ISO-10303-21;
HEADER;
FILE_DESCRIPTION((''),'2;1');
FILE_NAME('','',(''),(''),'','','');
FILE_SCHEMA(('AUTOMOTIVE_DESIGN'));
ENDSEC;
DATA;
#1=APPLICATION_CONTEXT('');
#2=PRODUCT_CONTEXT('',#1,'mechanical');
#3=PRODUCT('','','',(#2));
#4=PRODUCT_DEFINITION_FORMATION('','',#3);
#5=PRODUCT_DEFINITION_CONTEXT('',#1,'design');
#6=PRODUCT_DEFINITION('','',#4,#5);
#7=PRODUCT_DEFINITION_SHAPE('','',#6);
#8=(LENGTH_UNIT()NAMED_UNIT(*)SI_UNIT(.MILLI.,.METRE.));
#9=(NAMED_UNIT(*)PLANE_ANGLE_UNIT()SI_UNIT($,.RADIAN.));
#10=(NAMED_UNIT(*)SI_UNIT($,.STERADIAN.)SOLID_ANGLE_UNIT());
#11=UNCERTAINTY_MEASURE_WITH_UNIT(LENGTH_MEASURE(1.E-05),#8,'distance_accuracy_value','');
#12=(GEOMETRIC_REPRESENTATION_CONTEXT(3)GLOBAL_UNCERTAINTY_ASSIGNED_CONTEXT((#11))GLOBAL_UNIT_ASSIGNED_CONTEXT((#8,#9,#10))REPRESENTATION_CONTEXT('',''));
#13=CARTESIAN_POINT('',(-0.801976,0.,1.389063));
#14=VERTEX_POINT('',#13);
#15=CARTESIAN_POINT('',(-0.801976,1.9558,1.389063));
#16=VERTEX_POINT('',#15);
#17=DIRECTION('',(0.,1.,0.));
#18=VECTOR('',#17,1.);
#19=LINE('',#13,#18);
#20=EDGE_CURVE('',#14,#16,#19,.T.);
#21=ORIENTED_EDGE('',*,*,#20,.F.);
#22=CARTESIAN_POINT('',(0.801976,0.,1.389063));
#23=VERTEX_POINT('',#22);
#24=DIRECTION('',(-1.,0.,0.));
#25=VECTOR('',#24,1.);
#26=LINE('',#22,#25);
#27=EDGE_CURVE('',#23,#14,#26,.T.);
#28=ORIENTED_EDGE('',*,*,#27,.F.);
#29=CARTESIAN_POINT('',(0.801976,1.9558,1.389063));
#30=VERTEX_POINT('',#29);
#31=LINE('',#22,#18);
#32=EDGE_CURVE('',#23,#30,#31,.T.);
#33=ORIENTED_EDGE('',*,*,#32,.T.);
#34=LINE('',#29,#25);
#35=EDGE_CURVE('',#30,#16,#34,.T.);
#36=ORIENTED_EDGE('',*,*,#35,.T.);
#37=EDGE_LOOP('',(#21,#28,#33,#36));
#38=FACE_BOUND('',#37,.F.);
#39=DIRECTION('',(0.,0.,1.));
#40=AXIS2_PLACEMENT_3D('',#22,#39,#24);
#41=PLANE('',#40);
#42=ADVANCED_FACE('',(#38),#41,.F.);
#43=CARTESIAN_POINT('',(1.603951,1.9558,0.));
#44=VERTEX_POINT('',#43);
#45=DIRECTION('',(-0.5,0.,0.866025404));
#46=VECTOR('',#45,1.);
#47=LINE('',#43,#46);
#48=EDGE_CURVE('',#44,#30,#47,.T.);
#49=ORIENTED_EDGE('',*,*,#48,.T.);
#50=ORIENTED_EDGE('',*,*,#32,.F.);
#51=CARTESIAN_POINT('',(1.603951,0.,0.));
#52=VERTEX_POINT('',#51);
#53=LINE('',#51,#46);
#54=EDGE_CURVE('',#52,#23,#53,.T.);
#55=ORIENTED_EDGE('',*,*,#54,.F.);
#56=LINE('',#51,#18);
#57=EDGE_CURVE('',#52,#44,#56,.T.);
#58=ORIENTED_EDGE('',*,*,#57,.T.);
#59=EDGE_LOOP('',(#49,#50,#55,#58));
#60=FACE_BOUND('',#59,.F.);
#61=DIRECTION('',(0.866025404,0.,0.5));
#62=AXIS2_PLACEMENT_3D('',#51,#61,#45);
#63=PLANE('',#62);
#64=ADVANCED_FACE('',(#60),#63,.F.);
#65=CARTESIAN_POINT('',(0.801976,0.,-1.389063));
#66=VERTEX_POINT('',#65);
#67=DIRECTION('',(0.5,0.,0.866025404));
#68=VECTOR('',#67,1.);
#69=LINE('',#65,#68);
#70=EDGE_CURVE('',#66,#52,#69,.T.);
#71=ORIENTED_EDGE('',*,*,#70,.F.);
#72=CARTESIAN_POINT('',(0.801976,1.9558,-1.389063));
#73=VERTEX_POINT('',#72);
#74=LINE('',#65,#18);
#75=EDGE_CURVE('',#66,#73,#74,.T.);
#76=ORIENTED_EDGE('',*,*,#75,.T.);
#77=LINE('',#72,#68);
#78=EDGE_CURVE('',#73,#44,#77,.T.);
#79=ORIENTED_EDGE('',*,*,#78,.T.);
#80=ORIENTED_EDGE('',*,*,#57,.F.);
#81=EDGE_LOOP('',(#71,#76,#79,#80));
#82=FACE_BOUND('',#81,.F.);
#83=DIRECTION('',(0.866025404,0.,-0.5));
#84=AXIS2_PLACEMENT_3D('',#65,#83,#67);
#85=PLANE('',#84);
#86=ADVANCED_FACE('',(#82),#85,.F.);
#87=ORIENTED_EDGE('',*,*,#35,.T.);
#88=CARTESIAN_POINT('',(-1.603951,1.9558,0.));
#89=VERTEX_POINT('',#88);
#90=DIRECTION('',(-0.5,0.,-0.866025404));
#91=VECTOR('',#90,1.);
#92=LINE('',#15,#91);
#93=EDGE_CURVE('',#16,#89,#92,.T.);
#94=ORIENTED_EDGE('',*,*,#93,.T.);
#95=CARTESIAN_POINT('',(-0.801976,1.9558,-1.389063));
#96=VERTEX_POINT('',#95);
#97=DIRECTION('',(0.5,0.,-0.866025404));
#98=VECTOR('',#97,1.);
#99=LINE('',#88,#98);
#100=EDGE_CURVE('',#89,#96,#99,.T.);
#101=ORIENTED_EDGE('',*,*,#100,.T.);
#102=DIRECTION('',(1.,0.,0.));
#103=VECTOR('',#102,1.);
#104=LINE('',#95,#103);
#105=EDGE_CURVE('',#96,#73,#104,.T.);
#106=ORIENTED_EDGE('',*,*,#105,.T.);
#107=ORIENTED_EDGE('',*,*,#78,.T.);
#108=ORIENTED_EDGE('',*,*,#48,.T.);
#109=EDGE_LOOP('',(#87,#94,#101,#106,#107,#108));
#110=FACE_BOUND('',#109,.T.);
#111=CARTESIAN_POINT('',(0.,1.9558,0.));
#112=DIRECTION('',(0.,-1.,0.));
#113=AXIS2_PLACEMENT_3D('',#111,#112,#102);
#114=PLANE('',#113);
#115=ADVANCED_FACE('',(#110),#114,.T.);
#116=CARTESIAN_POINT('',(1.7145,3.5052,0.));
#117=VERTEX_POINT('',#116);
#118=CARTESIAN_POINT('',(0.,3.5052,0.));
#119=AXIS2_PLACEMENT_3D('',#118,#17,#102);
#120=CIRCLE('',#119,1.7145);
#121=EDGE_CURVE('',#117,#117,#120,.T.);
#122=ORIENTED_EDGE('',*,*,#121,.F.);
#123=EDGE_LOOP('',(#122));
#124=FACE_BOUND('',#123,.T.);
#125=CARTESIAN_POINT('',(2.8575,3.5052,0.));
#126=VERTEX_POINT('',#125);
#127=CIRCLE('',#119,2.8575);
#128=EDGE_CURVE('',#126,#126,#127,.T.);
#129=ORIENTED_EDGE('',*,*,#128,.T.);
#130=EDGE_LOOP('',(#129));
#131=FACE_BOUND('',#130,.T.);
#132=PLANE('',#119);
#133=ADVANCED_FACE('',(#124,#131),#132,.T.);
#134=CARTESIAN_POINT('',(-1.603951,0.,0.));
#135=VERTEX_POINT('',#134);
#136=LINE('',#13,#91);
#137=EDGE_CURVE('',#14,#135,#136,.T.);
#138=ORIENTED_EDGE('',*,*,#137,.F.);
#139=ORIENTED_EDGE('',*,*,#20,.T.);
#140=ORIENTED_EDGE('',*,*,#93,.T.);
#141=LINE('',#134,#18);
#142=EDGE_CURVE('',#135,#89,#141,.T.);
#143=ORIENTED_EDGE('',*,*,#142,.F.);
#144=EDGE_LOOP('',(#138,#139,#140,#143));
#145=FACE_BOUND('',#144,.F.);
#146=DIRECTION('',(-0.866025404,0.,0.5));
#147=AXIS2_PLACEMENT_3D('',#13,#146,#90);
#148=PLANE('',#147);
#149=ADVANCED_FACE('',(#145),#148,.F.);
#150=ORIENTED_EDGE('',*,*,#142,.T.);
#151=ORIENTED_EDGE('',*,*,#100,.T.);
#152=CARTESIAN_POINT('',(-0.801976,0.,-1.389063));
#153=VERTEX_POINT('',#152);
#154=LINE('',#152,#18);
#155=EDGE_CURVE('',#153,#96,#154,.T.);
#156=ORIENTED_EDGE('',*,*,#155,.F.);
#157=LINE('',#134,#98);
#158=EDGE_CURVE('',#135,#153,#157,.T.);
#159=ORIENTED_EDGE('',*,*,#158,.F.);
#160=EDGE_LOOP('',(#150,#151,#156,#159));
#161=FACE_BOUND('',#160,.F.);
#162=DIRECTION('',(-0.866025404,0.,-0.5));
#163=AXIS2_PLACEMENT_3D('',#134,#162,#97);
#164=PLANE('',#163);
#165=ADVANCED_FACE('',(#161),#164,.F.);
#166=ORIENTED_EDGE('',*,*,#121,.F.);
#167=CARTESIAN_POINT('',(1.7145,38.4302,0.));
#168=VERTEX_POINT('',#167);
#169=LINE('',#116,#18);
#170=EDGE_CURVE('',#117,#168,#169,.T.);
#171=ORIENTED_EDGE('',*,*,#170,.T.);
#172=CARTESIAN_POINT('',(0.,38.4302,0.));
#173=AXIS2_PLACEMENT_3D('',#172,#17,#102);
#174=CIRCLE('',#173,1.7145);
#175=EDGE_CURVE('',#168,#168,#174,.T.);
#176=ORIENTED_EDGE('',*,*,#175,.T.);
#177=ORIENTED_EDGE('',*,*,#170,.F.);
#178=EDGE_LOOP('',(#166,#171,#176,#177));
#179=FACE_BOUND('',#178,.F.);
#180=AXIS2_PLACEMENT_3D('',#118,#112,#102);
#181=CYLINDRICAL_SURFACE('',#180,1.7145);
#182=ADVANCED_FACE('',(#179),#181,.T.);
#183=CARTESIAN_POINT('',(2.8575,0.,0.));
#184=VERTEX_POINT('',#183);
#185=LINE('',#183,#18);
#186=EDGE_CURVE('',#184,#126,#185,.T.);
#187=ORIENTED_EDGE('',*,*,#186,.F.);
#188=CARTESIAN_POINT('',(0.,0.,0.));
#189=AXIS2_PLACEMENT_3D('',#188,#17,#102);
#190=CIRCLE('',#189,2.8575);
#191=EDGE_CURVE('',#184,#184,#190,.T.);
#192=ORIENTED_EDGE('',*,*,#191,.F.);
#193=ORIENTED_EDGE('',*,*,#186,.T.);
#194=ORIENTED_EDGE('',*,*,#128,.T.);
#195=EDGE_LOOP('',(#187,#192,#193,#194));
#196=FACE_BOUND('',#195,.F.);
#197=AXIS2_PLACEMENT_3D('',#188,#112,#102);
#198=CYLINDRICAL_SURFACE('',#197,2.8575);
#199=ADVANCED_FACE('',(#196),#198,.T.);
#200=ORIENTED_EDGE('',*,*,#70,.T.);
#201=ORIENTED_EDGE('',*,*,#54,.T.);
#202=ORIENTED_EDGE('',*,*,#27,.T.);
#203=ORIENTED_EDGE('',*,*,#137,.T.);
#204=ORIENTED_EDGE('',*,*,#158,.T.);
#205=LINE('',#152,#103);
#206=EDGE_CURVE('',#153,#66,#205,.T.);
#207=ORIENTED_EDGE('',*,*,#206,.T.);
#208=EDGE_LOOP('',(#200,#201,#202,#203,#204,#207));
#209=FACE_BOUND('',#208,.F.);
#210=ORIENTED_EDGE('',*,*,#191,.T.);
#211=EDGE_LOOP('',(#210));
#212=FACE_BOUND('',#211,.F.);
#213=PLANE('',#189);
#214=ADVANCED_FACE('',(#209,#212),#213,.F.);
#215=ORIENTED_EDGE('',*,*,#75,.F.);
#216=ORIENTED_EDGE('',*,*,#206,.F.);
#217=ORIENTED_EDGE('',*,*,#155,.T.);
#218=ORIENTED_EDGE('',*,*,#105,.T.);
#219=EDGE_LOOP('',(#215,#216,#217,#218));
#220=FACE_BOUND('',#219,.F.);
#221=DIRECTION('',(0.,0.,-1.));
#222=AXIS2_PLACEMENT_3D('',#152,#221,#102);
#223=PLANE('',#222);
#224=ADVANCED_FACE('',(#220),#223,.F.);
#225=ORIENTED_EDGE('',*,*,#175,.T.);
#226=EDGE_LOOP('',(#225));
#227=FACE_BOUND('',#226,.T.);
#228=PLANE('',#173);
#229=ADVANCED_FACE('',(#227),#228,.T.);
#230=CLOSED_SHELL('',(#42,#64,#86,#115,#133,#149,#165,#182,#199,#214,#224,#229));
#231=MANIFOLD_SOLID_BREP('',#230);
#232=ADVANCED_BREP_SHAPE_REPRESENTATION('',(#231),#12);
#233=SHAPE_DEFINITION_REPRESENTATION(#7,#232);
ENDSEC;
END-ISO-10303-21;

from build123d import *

# Parameters (mm, degrees)
SKETCH1_R           = 2.8575
BOSS_EXTRUDE1_DEPTH = 3.5052
CUT_EXTRUDE1_DEPTH  = 1.9558
SKETCH3_R           = 1.7145
BOSS_EXTRUDE2_DEPTH = 34.925


with BuildPart() as part:
    # Sketch1 → Boss-Extrude1 (new body)
    with BuildSketch(Plane(origin=(0, 0, 0), x_dir=(1, 0, 0), z_dir=(0, 1, 0))):
        Circle(SKETCH1_R)
    extrude(amount=BOSS_EXTRUDE1_DEPTH)

    # Sketch2 → Cut-Extrude1 (cut)
    with BuildSketch(Plane.XZ):
        Polygon((1.603951217, 0), (0.801975608, 1.3890625), (-0.801975608, 1.3890625), (-1.603951217, 0), (-0.801975608, -1.3890625), (0.801975608, -1.3890625), align=None)
    extrude(amount=-CUT_EXTRUDE1_DEPTH, mode=Mode.SUBTRACT)

    # Sketch3 → Boss-Extrude2 (add)
    with BuildSketch(Plane(origin=(0, 3.5052, 0), x_dir=(1, 0, 0), z_dir=(0, 1, 0))):
        Circle(SKETCH3_R)
    extrude(amount=BOSS_EXTRUDE2_DEPTH)


solid = part.part
